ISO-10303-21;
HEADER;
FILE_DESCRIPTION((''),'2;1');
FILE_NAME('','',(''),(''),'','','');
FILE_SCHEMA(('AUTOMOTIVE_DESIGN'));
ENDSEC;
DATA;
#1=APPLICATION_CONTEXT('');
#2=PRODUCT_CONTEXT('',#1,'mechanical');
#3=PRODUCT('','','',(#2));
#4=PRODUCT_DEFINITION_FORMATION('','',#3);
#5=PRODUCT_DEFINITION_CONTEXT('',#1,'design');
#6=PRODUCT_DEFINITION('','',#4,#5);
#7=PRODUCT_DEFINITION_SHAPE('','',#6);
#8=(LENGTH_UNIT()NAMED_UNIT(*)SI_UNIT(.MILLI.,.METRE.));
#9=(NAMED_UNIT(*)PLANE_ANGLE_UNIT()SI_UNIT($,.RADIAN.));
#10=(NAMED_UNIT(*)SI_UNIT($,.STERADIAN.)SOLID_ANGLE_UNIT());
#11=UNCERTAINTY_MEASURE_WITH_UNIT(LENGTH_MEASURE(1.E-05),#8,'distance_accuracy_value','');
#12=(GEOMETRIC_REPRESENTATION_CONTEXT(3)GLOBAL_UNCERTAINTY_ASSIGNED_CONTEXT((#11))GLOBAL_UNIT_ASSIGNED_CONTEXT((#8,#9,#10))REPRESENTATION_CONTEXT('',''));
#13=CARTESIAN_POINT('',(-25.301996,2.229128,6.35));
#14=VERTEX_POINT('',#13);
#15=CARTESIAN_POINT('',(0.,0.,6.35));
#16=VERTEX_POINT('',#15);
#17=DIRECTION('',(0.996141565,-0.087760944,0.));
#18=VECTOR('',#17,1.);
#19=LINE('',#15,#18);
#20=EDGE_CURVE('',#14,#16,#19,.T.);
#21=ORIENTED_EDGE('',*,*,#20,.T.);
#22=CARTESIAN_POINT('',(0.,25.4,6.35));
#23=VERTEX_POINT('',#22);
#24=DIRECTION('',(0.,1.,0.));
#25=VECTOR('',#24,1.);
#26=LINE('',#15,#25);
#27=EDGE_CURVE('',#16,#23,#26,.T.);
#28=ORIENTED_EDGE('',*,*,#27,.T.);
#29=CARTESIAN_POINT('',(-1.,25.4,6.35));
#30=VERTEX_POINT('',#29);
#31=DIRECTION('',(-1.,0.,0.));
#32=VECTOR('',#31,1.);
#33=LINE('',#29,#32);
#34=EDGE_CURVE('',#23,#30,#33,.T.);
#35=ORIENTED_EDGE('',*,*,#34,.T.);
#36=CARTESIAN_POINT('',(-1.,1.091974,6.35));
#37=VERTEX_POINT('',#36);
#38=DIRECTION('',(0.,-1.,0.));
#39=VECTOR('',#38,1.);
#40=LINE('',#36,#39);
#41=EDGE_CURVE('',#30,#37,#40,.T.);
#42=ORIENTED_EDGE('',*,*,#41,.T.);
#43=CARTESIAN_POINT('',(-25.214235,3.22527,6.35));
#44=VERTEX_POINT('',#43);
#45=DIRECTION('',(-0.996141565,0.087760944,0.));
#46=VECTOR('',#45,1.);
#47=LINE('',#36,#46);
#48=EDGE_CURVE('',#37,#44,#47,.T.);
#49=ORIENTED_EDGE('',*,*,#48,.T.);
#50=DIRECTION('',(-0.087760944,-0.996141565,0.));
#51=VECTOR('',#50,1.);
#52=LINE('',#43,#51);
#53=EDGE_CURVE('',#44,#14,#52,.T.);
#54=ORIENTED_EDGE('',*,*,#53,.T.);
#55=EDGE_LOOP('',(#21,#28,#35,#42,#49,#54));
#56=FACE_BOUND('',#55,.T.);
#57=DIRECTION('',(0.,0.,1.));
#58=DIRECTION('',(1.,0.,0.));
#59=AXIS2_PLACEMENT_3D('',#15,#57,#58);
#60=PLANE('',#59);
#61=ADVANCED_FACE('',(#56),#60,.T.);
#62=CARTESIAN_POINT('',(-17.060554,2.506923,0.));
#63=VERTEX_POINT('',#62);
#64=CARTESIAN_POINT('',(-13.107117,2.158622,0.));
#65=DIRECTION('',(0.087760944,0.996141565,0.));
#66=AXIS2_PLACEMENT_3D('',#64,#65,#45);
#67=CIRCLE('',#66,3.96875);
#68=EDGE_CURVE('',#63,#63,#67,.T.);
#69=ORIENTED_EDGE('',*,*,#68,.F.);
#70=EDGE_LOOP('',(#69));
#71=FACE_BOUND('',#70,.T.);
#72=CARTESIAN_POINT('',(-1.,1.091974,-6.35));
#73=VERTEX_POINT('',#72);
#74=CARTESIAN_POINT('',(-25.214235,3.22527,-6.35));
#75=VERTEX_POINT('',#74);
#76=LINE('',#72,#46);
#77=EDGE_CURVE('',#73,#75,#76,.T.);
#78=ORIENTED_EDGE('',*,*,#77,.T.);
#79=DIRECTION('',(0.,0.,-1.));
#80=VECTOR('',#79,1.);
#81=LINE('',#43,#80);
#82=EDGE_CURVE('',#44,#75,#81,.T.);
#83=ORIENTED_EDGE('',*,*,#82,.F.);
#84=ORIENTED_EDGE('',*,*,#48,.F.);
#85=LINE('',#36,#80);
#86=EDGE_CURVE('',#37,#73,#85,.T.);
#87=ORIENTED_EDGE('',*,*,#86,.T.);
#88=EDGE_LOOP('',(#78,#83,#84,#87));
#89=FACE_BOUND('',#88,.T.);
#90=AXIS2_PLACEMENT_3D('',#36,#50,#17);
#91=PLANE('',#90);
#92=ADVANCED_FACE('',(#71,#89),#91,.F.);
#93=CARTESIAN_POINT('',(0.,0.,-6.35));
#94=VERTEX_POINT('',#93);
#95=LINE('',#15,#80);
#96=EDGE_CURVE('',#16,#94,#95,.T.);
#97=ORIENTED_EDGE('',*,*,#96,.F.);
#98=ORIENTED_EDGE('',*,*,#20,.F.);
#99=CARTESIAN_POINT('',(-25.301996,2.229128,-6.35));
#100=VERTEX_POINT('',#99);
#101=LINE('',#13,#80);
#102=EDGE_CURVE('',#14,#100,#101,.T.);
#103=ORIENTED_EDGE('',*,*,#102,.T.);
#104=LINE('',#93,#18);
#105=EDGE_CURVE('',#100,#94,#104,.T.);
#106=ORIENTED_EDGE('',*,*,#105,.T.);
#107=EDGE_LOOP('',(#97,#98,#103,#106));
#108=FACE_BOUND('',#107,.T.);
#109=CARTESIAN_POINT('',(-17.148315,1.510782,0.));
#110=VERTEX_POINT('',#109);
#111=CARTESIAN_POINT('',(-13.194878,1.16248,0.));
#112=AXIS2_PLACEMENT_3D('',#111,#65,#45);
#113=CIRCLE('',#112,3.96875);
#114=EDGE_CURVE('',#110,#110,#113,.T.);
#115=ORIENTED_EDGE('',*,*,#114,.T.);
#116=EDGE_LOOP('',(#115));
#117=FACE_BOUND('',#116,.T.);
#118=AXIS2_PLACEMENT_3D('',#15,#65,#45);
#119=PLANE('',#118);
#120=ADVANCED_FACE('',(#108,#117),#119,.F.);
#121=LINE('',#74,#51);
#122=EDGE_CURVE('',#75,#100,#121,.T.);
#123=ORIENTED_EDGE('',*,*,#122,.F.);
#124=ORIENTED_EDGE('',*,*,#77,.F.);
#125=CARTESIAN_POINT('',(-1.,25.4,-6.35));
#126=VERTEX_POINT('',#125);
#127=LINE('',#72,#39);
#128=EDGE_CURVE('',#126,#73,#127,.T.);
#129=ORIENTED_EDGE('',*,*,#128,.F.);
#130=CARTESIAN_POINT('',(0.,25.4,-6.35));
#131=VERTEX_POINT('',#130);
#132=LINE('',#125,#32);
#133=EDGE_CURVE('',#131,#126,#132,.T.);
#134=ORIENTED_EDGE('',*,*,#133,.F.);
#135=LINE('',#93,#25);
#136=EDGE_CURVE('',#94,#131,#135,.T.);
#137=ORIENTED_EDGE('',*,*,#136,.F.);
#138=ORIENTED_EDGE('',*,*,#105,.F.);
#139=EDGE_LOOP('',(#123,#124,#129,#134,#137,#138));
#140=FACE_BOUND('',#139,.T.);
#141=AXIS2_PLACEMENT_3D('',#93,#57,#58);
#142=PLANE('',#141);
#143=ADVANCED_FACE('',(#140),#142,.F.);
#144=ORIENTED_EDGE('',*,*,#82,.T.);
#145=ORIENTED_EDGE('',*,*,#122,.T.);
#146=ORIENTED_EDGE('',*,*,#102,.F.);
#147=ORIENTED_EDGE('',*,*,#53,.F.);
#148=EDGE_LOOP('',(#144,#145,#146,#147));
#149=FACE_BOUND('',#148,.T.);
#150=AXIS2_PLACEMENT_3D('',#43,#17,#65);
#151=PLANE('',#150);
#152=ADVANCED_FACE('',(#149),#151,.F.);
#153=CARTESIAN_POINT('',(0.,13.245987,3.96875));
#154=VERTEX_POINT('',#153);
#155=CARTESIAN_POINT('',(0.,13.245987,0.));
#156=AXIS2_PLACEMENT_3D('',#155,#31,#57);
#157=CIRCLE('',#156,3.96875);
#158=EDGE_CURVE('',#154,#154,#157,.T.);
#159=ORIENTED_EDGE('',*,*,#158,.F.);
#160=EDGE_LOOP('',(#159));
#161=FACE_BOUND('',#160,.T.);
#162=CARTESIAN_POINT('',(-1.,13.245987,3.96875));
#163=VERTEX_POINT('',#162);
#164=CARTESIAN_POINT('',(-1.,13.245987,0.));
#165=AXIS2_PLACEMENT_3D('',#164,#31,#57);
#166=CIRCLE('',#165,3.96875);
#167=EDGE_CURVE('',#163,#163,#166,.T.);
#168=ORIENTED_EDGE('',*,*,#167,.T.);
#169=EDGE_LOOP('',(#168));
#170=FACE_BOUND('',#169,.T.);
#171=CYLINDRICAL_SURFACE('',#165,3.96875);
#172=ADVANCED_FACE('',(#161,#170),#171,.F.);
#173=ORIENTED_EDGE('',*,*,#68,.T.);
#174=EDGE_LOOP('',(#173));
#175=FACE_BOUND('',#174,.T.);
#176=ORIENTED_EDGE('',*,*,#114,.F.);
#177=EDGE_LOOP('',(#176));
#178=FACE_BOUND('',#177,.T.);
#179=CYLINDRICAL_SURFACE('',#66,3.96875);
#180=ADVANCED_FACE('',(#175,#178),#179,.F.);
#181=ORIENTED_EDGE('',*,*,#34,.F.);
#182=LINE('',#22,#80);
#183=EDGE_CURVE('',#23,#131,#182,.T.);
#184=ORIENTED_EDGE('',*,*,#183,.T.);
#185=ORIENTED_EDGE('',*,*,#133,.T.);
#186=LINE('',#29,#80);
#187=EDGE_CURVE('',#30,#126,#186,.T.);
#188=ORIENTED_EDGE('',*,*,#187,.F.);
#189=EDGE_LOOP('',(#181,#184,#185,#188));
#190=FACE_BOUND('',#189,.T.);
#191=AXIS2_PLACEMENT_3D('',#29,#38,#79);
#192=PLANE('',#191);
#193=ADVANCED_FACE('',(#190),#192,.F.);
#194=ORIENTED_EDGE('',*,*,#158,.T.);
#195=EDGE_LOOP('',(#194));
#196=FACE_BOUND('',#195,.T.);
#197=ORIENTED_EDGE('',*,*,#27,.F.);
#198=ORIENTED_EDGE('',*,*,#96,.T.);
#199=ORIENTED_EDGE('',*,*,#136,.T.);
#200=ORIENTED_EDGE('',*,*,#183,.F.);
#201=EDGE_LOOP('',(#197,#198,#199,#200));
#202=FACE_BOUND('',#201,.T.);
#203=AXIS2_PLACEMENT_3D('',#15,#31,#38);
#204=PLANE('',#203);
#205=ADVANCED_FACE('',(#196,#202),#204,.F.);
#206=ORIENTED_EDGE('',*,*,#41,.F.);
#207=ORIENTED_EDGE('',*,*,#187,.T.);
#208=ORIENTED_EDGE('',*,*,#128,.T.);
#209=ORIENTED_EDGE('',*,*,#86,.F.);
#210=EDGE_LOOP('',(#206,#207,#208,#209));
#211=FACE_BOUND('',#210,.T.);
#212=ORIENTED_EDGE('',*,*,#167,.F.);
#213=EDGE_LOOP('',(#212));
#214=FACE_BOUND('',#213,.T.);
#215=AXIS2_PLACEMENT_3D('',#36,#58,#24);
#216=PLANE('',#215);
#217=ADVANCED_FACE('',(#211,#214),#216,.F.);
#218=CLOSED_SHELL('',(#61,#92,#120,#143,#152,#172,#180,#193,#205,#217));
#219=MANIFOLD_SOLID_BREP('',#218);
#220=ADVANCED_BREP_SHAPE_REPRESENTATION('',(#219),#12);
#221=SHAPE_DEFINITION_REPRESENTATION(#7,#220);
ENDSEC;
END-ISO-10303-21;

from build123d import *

# Parameters (mm, degrees)
BOSS_EXTRUDE1_DEPTH            = 6.35
F_5_16_0_3125_DIAMETER_HOLE1_D = 7.9375
F_5_16_0_3125_DIAMETER_HOLE2_D = 7.9375


with BuildPart() as part:
    # Sketch1 → Boss-Extrude1 (new body, symmetric)
    with BuildSketch(Plane.XY):
        Polygon((0, 0), (0, 25.4), (-1, 25.4), (-1, 1.091974256), (-25.214234797, 3.225269541), (-25.301995741, 2.229127977), align=None)
    extrude(amount=BOSS_EXTRUDE1_DEPTH, both=True)

    # 5/16 (0.3125) Diameter Hole1 (through all)
    with Locations(Plane(origin=(-1, 13.245987128, 0), x_dir=(0, -1, 0), z_dir=(-1, 0, 0))):
        with Locations((0, 0)):
            Hole(F_5_16_0_3125_DIAMETER_HOLE1_D / 2)

    # 5/16 (0.3125) Diameter Hole2 (through all)
    with Locations(Plane(origin=(-13.107117398, 2.158621899, 0), x_dir=(0.996141565, -0.087760944, 0), z_dir=(0.087760944, 0.996141565, 0))):
        with Locations((0, 0)):
            Hole(F_5_16_0_3125_DIAMETER_HOLE2_D / 2)


solid = part.part
